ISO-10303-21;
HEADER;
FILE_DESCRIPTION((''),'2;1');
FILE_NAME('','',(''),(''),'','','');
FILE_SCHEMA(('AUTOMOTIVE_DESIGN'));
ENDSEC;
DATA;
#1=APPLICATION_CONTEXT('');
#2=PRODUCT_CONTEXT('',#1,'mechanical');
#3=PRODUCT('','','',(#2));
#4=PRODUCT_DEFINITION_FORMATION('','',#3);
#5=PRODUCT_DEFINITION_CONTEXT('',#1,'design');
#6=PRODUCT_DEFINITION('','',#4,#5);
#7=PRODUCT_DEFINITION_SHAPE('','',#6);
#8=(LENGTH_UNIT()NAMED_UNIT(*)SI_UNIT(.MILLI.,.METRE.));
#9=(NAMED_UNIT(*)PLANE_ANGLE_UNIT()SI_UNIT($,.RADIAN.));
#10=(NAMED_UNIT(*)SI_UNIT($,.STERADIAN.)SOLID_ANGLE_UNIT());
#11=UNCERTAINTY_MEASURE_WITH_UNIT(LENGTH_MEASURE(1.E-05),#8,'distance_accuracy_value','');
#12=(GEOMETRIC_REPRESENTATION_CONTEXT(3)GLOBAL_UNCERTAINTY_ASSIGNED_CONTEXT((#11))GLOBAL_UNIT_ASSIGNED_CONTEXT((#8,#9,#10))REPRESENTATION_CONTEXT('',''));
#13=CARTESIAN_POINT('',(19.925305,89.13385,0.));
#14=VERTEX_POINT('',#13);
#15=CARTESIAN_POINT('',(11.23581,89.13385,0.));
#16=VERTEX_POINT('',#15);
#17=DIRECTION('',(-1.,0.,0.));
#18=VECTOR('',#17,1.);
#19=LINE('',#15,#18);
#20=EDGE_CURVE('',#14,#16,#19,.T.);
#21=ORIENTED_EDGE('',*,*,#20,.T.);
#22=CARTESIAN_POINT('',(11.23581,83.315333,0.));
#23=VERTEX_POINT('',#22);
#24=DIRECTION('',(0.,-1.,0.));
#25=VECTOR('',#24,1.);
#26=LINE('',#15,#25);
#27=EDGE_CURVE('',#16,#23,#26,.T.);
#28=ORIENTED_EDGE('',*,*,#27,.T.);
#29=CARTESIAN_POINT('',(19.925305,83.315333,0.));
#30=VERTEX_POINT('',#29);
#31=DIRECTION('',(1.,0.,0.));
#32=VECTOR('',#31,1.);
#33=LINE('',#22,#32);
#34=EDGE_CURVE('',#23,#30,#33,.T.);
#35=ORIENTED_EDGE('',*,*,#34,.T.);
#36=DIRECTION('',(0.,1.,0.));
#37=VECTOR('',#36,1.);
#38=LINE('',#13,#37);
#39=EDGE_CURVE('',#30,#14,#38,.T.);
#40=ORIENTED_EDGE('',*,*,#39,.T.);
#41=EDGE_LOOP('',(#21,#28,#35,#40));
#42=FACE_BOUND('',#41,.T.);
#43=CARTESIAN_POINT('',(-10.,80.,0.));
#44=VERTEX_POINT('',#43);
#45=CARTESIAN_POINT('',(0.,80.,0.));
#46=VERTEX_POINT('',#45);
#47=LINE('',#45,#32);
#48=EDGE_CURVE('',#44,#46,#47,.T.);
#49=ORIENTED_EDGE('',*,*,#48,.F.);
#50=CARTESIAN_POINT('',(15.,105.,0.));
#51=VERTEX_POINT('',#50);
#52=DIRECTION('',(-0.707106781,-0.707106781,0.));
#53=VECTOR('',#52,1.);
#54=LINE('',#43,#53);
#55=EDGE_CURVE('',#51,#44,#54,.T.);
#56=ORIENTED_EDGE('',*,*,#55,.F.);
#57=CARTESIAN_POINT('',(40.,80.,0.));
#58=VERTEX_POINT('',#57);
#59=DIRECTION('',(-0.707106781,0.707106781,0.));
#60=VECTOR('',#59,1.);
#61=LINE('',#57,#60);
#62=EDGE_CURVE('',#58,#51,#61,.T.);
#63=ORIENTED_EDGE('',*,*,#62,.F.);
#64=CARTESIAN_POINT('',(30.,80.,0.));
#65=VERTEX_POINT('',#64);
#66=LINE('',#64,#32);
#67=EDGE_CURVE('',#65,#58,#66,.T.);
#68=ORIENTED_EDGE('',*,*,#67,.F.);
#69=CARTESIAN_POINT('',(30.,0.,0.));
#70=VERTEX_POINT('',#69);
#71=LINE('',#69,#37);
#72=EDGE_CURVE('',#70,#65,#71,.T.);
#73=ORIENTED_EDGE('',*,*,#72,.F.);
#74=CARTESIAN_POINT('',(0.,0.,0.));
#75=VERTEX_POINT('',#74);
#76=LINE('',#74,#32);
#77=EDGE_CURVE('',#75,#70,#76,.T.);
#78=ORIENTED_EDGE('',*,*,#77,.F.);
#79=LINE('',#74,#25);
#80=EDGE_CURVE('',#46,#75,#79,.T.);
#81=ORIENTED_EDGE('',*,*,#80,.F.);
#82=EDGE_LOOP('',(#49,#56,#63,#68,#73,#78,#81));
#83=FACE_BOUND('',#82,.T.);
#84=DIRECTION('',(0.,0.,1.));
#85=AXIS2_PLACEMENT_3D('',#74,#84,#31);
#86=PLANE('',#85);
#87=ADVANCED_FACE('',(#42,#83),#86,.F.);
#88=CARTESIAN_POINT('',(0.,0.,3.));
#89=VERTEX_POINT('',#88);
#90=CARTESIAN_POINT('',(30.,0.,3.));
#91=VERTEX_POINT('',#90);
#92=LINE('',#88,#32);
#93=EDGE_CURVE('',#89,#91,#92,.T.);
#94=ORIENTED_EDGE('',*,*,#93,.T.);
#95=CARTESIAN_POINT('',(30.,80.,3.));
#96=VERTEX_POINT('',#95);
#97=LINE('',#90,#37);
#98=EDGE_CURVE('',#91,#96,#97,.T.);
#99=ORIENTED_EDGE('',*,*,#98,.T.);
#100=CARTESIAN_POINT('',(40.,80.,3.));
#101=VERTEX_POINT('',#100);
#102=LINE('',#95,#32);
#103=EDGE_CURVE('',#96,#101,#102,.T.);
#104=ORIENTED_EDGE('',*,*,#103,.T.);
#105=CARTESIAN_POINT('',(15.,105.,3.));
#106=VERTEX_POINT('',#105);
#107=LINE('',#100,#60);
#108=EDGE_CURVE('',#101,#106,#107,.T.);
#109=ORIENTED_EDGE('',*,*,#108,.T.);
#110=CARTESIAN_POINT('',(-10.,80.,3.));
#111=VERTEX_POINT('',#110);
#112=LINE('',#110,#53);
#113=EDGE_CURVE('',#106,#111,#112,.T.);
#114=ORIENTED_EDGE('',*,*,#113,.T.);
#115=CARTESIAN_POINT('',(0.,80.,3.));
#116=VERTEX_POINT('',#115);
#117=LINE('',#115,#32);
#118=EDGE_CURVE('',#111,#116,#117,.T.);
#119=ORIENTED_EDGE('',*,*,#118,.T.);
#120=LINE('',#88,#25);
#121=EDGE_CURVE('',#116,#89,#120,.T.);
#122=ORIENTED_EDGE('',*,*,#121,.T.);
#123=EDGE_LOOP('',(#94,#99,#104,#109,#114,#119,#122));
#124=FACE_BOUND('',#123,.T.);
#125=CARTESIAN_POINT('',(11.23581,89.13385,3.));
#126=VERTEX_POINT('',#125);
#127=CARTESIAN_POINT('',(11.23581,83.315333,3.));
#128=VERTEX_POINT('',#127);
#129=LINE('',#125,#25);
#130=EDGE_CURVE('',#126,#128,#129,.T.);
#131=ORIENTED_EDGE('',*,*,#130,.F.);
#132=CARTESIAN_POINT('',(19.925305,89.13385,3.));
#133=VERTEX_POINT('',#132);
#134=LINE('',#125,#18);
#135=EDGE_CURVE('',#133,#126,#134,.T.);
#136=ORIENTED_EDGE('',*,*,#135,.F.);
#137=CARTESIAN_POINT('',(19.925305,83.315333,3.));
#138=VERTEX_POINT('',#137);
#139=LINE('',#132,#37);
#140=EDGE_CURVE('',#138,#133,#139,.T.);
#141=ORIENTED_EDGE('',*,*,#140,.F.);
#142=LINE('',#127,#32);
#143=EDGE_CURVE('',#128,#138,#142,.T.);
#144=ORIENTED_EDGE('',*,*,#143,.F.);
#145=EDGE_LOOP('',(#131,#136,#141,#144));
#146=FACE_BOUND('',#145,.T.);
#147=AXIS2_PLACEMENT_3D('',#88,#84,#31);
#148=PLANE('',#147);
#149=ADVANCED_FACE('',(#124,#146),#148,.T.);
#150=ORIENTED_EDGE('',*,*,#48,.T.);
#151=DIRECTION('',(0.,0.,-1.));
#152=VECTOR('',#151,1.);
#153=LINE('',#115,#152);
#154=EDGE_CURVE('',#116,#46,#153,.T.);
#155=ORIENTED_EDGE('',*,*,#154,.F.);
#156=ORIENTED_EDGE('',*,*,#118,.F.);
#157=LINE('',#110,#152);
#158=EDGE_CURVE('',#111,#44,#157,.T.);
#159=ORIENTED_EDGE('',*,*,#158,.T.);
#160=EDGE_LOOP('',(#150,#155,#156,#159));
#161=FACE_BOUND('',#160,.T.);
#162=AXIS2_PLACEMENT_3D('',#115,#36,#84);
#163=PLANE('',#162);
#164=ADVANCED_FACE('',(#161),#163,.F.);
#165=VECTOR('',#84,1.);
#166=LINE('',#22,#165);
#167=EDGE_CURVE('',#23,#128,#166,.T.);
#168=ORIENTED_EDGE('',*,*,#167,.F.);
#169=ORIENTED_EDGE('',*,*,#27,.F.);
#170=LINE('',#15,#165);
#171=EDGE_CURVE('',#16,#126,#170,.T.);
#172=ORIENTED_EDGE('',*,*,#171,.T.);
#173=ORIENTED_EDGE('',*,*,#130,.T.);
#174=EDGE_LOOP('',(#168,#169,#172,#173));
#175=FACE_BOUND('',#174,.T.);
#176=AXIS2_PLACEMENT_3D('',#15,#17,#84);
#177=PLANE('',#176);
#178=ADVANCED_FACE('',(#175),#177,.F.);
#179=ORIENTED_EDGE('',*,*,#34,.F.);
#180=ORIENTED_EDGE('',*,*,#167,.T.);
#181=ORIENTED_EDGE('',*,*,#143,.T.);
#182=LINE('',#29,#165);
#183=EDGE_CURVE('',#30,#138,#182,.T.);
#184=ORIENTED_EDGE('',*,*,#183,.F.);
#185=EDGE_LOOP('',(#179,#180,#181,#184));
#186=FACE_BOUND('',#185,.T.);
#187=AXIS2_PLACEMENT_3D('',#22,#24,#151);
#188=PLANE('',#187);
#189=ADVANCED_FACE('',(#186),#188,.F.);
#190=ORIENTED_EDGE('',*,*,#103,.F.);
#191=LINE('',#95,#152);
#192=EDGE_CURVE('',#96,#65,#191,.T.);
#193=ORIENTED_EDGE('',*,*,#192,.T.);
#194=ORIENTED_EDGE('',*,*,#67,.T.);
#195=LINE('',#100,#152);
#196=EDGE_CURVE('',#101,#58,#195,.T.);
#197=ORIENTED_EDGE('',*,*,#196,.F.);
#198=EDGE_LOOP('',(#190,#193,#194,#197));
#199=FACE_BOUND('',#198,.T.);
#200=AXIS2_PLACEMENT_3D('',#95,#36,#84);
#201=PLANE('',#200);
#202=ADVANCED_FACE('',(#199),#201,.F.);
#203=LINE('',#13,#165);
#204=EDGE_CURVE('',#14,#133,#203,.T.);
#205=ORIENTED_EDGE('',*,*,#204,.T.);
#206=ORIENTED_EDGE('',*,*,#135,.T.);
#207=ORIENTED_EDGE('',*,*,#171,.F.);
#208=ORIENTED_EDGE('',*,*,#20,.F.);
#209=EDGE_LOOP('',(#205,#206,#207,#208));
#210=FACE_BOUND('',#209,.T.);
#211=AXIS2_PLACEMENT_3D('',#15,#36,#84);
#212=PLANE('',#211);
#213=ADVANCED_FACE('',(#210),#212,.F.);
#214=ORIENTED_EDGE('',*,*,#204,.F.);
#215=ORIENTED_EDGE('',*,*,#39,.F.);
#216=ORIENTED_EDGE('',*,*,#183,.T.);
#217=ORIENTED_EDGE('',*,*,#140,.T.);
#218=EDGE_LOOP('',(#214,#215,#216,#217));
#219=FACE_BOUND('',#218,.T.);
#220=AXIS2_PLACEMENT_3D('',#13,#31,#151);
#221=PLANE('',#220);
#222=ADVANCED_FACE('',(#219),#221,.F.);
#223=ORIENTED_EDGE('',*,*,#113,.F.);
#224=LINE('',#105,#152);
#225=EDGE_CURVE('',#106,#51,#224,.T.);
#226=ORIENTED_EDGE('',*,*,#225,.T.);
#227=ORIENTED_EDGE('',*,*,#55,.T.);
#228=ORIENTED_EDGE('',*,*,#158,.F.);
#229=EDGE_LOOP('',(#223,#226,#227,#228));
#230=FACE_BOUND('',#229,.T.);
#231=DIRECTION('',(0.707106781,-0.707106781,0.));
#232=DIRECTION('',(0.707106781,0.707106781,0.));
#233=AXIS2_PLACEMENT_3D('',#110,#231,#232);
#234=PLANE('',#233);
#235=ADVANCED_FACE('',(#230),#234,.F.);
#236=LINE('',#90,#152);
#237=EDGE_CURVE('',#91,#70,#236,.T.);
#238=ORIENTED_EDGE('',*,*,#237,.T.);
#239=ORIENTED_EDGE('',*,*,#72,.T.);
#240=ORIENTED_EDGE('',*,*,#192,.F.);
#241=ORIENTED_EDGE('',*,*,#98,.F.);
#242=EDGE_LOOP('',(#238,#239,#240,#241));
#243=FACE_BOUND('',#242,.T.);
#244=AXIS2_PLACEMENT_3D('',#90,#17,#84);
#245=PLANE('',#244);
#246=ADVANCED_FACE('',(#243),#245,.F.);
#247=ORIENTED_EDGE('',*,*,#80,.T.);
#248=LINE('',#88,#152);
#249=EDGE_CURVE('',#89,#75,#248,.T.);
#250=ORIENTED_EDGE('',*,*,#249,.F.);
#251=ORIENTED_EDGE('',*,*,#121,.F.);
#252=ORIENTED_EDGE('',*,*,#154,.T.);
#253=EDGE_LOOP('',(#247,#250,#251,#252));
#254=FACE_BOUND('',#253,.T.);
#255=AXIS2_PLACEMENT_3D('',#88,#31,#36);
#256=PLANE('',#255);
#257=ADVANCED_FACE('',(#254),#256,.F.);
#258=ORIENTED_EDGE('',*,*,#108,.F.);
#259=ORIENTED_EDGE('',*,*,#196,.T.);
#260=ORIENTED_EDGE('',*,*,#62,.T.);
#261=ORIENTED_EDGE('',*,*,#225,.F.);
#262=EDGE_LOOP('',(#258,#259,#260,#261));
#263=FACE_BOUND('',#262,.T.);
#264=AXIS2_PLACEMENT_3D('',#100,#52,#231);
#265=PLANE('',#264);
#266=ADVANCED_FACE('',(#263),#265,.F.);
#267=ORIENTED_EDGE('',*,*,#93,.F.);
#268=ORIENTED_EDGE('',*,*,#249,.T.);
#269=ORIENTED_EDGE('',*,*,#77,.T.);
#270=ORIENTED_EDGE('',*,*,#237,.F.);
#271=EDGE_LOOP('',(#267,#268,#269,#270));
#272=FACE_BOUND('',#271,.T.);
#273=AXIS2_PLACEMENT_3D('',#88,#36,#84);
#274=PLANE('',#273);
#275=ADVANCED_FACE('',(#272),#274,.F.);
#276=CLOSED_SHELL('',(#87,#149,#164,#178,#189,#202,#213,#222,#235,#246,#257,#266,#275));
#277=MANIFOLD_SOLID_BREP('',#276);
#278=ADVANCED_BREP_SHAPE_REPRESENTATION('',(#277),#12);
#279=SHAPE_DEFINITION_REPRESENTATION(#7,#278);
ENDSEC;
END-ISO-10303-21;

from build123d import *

# Parameters (mm, degrees)
BOSS_EXTRUDE2_DEPTH = 3
SKETCH2_W           = 8.689494808
SKETCH2_H           = 5.818516347
CUT_EXTRUDE1_DEPTH  = 3


with BuildPart() as part:
    # Model → Boss-Extrude2 (new body)
    with BuildSketch(Plane.XY):
        Polygon((0, 0), (30, 0), (30, 80), (40, 80), (15, 105), (-10, 80), (0, 80), align=None)
    extrude(amount=BOSS_EXTRUDE2_DEPTH)

    # Sketch2 → Cut-Extrude1 (cut)
    with BuildSketch(Plane.XY.offset(3)):
        with Locations((15.580557609, 86.224591519)):
            Rectangle(SKETCH2_W, SKETCH2_H)
    extrude(amount=-CUT_EXTRUDE1_DEPTH, mode=Mode.SUBTRACT)


solid = part.part
